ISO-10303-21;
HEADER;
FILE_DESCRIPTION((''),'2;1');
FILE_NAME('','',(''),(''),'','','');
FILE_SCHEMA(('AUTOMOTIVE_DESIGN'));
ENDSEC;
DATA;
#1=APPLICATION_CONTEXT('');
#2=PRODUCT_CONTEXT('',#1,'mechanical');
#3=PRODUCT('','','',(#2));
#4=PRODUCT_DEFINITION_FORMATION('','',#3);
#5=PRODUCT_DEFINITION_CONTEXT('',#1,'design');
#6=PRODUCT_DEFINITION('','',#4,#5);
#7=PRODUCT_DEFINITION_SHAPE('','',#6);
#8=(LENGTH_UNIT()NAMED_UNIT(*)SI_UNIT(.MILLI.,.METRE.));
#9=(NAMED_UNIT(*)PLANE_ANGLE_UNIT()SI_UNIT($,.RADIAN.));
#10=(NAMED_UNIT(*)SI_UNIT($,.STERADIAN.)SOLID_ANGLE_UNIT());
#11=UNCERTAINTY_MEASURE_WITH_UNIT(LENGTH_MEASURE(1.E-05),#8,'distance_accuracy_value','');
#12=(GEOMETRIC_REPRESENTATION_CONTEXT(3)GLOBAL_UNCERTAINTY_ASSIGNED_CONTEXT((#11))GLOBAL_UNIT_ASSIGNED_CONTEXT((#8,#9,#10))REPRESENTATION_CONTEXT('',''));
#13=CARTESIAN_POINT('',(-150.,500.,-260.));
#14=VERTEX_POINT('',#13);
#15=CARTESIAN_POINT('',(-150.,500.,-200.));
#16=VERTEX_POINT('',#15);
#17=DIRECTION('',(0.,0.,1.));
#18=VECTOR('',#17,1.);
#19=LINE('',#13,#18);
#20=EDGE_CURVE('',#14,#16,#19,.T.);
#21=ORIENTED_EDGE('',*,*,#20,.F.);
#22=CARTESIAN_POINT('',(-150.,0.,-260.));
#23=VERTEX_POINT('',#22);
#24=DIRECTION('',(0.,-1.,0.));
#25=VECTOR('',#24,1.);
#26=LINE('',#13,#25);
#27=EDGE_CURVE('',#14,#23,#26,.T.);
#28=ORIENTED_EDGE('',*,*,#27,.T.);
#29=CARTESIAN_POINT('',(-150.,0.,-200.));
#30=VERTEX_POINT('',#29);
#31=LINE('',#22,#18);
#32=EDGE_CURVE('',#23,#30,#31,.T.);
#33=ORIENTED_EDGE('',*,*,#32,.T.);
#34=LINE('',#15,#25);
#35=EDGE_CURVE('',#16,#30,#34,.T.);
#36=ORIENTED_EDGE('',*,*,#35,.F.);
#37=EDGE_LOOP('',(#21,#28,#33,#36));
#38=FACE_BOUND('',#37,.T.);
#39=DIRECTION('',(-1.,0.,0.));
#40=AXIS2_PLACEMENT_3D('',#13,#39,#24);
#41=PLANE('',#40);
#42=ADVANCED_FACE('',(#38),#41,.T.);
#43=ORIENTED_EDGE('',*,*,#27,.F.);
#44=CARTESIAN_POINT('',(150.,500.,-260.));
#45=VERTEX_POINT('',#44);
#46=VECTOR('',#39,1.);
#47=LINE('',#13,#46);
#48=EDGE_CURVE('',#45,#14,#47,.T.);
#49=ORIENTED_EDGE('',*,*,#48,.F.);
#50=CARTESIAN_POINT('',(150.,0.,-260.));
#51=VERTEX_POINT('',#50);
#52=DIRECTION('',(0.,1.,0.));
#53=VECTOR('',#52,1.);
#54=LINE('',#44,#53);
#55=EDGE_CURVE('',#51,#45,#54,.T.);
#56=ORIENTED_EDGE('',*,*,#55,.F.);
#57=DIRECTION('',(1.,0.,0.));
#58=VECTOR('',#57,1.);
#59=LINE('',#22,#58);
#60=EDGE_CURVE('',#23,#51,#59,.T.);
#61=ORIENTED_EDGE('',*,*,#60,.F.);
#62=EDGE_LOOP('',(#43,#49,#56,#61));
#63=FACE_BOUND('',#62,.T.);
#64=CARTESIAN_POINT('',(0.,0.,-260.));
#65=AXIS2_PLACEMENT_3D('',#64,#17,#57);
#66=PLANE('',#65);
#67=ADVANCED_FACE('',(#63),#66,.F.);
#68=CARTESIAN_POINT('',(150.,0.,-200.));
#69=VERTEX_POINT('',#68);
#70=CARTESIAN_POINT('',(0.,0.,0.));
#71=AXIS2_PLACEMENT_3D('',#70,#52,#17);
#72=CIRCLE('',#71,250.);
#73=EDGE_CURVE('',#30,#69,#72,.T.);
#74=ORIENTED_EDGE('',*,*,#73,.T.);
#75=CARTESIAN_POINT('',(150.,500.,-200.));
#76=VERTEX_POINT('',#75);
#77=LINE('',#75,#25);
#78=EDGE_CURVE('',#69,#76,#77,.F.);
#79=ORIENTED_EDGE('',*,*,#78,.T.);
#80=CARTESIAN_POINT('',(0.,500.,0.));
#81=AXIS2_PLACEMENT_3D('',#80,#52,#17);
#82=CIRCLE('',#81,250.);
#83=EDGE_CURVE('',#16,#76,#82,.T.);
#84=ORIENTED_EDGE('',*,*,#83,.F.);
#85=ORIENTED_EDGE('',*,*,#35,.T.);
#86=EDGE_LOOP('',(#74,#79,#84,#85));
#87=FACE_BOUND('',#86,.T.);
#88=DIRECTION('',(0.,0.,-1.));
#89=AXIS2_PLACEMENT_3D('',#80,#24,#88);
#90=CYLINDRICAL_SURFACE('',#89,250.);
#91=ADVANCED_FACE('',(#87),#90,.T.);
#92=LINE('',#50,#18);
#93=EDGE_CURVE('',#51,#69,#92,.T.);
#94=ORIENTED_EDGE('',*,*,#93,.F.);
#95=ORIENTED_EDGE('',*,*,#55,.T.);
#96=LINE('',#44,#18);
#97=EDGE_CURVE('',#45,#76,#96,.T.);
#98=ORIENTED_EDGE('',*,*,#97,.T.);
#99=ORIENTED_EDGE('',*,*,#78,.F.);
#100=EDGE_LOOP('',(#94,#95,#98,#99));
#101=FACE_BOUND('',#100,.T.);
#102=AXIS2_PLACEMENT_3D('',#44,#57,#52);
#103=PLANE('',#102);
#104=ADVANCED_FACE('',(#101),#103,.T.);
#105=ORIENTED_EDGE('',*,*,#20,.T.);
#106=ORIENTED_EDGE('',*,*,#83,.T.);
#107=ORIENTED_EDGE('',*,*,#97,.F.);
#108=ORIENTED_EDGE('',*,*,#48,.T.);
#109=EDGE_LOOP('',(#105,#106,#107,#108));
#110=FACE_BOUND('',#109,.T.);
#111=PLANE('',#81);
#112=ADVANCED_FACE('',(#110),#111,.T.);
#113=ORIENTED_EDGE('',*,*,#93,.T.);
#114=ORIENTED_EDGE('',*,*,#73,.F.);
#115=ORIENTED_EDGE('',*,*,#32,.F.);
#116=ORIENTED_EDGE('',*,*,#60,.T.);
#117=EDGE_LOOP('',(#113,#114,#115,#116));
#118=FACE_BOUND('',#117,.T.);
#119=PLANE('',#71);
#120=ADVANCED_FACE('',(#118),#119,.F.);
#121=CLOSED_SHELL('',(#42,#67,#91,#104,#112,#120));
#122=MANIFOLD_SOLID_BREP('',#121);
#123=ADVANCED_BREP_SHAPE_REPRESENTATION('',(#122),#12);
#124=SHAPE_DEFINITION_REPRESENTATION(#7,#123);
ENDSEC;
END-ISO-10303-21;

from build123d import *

# Parameters (mm, degrees)
SKETCH_1_R      = 250
EXTRUDE_1_DEPTH = 500
SKETCH_2_W      = 300
SKETCH_2_H      = 500
EXTRUDE_2_DEPTH = 260


with BuildPart() as part:
    # Эскиз1 → Бобышка-Вытянуть1 (new body)
    with BuildSketch(Plane(origin=(0, 0, 0), x_dir=(1, 0, 0), z_dir=(0, 1, 0))):
        with Locations(Location((0, 0, 0), (0, 0, 270))):
            Circle(SKETCH_1_R)
    extrude(amount=EXTRUDE_1_DEPTH)

    # Эскиз2 → Бобышка-Вытянуть2 (add)
    with BuildSketch(Plane.XY):
        with Locations((0, 250)):
            Rectangle(SKETCH_2_W, SKETCH_2_H)
    extrude(amount=-EXTRUDE_2_DEPTH)


solid = part.part
